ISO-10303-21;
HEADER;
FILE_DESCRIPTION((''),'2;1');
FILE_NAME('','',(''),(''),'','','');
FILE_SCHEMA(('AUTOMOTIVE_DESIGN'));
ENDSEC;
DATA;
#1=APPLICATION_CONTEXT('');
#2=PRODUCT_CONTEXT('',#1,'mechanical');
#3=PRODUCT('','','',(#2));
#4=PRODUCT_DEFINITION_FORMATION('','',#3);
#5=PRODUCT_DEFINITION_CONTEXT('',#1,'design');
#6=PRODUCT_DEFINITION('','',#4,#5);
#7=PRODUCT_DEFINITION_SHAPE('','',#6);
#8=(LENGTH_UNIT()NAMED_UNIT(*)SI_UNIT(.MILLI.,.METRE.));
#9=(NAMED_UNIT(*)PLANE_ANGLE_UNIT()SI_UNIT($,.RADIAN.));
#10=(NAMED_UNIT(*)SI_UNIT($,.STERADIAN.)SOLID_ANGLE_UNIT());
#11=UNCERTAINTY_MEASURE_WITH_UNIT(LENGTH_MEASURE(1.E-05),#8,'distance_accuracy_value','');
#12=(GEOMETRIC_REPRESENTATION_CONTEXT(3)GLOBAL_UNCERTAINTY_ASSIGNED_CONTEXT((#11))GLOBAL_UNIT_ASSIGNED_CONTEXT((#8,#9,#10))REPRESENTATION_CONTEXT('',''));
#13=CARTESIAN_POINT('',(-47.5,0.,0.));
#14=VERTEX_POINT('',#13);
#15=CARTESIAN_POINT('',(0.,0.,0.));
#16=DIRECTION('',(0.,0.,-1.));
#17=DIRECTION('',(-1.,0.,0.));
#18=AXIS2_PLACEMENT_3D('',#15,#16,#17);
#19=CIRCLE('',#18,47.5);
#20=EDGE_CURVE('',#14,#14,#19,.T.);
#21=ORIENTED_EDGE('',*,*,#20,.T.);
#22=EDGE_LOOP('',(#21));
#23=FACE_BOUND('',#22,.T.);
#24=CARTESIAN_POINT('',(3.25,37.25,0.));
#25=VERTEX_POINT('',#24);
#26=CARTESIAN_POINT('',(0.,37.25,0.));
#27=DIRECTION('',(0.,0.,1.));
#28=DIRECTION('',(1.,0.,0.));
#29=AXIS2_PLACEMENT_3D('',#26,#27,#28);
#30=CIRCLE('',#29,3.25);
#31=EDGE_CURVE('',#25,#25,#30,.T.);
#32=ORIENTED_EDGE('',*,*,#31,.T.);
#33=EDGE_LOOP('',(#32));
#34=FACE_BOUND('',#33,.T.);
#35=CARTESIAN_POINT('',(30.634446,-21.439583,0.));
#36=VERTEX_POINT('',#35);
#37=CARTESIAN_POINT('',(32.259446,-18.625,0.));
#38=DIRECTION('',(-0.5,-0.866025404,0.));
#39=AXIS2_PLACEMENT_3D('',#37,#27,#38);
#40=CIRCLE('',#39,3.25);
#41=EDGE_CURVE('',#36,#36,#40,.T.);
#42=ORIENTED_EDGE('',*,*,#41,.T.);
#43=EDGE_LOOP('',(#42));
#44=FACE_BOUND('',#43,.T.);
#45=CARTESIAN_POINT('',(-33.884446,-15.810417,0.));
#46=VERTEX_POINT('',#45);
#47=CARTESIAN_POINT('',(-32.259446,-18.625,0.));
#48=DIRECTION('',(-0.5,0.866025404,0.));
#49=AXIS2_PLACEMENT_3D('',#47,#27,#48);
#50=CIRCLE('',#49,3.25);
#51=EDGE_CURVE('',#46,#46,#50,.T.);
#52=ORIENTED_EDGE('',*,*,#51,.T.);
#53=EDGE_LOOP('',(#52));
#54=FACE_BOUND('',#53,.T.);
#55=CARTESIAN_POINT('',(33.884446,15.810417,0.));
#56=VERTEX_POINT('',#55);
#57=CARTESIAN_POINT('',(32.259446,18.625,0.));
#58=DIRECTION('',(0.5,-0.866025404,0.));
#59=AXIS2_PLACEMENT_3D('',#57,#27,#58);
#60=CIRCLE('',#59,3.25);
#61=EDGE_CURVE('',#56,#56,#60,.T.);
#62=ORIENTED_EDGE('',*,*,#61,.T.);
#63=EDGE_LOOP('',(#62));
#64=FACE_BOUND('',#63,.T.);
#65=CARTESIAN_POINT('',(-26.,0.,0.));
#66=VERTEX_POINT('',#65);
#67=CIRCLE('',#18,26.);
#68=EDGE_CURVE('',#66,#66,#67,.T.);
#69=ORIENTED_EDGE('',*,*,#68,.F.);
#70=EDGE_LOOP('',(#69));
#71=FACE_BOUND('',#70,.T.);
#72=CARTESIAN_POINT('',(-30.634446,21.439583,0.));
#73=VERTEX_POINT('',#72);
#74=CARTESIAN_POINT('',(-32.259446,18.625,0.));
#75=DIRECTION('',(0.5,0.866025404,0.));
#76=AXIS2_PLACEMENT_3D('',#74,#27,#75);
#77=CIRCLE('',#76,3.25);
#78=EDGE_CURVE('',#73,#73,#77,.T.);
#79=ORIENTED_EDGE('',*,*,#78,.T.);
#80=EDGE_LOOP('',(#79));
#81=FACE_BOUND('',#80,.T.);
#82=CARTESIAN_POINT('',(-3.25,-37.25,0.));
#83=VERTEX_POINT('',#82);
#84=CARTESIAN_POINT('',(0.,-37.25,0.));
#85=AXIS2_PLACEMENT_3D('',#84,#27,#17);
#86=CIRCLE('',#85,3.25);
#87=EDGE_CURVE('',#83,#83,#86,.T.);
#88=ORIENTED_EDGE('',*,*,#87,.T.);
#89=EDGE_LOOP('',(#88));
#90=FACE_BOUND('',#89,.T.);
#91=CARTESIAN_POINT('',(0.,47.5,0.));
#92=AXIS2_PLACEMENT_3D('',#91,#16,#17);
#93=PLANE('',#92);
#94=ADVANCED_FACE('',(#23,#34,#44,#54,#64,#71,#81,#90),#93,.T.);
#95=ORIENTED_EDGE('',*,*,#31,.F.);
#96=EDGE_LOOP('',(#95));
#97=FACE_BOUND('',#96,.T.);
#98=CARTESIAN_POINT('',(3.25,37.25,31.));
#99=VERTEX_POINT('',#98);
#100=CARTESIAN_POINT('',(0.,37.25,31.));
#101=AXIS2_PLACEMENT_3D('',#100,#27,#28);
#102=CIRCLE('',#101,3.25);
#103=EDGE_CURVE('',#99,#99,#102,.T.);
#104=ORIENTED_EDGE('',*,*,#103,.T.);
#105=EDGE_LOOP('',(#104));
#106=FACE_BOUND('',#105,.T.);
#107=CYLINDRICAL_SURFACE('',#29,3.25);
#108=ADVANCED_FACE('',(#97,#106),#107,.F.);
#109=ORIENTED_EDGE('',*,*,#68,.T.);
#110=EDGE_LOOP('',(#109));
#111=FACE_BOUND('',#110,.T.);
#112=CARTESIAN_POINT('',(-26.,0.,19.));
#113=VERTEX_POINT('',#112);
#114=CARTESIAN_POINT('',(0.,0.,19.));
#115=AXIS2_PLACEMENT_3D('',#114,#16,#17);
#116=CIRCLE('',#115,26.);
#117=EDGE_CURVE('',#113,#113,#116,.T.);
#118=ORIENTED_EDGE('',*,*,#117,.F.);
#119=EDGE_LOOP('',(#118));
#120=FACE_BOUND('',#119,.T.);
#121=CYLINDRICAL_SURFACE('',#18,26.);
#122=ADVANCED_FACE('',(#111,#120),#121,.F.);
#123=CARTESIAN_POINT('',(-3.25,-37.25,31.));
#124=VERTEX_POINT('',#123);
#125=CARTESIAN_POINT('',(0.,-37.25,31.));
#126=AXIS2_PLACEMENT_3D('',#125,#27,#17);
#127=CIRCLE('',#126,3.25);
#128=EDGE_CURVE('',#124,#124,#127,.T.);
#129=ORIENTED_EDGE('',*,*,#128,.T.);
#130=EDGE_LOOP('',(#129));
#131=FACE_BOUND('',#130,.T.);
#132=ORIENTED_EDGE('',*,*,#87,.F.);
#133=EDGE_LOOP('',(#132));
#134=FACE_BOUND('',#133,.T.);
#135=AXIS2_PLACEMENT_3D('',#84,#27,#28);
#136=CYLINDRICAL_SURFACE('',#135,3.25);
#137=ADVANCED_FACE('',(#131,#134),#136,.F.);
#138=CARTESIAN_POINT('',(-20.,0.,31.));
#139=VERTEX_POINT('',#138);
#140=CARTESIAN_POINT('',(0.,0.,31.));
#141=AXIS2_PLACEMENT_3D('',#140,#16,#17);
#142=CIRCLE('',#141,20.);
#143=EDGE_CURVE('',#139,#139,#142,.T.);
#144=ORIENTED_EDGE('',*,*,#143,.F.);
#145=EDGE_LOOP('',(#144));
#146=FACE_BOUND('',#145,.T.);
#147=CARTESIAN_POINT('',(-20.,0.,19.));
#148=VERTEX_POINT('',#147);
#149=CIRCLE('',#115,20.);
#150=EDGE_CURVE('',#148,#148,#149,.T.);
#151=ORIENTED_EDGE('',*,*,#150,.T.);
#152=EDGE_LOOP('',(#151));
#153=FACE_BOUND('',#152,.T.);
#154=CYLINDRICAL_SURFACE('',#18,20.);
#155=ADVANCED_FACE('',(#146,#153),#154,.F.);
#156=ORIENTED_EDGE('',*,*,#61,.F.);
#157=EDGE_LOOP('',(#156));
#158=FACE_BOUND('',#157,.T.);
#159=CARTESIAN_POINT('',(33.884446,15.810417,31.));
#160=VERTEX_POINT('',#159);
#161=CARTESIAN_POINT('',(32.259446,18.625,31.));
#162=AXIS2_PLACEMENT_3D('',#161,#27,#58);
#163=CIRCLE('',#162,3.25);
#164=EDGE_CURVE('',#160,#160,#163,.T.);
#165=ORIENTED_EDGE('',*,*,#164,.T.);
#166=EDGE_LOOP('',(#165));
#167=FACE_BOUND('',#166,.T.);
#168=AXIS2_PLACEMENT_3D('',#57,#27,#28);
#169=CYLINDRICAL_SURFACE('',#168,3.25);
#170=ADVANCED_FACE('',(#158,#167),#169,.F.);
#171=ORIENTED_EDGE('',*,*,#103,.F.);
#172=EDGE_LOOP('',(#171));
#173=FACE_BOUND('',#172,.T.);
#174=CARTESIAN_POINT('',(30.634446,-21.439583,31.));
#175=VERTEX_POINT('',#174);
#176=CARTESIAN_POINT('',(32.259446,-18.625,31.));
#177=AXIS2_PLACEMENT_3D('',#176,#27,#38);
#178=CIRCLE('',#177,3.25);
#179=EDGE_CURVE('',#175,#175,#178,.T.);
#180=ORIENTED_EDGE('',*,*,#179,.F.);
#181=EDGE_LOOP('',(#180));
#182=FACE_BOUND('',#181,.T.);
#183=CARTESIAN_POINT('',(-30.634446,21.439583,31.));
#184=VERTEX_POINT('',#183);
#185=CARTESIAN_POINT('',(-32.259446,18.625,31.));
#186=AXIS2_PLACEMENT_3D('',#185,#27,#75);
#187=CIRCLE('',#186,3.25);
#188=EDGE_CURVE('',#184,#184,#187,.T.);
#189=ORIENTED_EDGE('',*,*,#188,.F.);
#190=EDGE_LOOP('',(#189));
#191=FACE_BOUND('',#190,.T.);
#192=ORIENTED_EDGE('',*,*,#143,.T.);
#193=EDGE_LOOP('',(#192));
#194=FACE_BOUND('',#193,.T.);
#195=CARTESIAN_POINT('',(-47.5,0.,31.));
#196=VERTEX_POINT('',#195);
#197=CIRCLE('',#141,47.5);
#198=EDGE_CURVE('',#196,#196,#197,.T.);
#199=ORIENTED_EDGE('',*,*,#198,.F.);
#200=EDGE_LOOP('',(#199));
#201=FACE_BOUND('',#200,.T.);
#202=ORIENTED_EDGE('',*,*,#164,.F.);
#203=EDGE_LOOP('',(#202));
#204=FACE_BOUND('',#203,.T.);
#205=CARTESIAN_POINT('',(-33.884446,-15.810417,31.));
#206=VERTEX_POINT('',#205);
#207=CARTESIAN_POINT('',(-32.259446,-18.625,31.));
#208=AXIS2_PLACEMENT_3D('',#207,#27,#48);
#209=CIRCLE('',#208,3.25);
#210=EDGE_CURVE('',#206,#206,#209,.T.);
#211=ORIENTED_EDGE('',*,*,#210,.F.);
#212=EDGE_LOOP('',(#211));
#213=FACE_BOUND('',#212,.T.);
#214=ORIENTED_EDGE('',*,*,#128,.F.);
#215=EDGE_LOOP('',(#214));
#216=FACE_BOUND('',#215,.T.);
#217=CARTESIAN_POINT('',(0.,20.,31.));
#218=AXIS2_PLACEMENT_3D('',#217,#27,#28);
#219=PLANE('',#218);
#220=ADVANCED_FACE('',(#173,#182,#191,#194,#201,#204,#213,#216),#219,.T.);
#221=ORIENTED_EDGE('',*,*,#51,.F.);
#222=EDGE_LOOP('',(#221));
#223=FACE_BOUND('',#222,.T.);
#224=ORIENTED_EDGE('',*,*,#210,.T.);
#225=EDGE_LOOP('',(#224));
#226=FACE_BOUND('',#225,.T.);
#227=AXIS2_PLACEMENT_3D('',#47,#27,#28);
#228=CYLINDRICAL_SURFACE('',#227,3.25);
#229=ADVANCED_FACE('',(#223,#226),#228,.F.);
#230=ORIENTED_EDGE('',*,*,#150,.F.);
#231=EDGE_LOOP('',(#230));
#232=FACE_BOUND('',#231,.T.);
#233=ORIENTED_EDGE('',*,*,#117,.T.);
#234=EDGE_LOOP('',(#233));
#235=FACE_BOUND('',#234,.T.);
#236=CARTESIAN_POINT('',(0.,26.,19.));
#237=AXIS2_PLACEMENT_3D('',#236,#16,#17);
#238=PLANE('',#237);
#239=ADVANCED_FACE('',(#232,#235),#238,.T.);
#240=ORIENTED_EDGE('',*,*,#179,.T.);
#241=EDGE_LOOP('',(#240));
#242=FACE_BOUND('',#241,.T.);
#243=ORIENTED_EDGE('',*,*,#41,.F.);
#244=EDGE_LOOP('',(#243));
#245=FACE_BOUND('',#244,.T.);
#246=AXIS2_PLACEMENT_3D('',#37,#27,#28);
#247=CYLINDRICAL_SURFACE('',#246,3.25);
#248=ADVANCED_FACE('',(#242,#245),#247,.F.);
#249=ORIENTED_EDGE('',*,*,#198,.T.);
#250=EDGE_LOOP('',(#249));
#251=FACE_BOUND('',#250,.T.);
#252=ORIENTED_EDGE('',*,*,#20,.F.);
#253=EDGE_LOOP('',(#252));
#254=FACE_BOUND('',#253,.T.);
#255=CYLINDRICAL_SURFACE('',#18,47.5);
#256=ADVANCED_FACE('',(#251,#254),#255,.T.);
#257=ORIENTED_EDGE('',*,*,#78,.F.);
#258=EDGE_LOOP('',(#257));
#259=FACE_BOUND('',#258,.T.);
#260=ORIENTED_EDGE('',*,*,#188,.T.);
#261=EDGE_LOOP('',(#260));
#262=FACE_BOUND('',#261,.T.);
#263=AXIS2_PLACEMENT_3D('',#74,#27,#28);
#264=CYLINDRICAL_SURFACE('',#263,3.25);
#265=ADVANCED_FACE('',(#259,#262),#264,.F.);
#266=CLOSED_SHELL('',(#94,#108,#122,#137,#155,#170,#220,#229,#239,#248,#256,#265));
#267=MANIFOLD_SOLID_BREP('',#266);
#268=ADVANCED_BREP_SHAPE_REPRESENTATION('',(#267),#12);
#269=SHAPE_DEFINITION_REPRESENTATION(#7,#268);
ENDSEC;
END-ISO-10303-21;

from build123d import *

# Parameters (mm, degrees)
SKETCH2_R          = 3.25
CUT_EXTRUDE1_DEPTH = 74.98310618
CIRPATTERN1_COUNT  = 6


with BuildPart() as part:
    # Sketch1 → Revolve1 (revolve)
    with BuildSketch(Plane(origin=(0, 0, 0), x_dir=(0, 0, -1), z_dir=(1, 0, 0)), mode=Mode.PRIVATE) as revolve1_sk:
        Polygon((-31, 47.5), (0, 47.5), (0, 26), (-19, 26), (-19, 20), (-31, 20), align=None)
    revolve(revolve1_sk.sketch.rotate(Axis((0, 0, 0), (0, 0, 1)), 90), axis=Axis((0, 0, 0), (0, 0, 1)))

    # Sketch2 → Cut-Extrude1 (cut, through all)
    with BuildSketch(Plane.XY.offset(31)):
        with Locations((0, 37.25)):
            Circle(SKETCH2_R)
    cut_extrude1 = extrude(amount=-CUT_EXTRUDE1_DEPTH, mode=Mode.SUBTRACT)

    # CirPattern1: Cut-Extrude1 ×6 about axis
    cirpattern1_axis = Axis((0, 0, 0), (0, 0, 1))
    for i in range(1, CIRPATTERN1_COUNT):
        add(cut_extrude1.rotate(cirpattern1_axis, i * 360 / CIRPATTERN1_COUNT), mode=Mode.SUBTRACT)


solid = part.part
